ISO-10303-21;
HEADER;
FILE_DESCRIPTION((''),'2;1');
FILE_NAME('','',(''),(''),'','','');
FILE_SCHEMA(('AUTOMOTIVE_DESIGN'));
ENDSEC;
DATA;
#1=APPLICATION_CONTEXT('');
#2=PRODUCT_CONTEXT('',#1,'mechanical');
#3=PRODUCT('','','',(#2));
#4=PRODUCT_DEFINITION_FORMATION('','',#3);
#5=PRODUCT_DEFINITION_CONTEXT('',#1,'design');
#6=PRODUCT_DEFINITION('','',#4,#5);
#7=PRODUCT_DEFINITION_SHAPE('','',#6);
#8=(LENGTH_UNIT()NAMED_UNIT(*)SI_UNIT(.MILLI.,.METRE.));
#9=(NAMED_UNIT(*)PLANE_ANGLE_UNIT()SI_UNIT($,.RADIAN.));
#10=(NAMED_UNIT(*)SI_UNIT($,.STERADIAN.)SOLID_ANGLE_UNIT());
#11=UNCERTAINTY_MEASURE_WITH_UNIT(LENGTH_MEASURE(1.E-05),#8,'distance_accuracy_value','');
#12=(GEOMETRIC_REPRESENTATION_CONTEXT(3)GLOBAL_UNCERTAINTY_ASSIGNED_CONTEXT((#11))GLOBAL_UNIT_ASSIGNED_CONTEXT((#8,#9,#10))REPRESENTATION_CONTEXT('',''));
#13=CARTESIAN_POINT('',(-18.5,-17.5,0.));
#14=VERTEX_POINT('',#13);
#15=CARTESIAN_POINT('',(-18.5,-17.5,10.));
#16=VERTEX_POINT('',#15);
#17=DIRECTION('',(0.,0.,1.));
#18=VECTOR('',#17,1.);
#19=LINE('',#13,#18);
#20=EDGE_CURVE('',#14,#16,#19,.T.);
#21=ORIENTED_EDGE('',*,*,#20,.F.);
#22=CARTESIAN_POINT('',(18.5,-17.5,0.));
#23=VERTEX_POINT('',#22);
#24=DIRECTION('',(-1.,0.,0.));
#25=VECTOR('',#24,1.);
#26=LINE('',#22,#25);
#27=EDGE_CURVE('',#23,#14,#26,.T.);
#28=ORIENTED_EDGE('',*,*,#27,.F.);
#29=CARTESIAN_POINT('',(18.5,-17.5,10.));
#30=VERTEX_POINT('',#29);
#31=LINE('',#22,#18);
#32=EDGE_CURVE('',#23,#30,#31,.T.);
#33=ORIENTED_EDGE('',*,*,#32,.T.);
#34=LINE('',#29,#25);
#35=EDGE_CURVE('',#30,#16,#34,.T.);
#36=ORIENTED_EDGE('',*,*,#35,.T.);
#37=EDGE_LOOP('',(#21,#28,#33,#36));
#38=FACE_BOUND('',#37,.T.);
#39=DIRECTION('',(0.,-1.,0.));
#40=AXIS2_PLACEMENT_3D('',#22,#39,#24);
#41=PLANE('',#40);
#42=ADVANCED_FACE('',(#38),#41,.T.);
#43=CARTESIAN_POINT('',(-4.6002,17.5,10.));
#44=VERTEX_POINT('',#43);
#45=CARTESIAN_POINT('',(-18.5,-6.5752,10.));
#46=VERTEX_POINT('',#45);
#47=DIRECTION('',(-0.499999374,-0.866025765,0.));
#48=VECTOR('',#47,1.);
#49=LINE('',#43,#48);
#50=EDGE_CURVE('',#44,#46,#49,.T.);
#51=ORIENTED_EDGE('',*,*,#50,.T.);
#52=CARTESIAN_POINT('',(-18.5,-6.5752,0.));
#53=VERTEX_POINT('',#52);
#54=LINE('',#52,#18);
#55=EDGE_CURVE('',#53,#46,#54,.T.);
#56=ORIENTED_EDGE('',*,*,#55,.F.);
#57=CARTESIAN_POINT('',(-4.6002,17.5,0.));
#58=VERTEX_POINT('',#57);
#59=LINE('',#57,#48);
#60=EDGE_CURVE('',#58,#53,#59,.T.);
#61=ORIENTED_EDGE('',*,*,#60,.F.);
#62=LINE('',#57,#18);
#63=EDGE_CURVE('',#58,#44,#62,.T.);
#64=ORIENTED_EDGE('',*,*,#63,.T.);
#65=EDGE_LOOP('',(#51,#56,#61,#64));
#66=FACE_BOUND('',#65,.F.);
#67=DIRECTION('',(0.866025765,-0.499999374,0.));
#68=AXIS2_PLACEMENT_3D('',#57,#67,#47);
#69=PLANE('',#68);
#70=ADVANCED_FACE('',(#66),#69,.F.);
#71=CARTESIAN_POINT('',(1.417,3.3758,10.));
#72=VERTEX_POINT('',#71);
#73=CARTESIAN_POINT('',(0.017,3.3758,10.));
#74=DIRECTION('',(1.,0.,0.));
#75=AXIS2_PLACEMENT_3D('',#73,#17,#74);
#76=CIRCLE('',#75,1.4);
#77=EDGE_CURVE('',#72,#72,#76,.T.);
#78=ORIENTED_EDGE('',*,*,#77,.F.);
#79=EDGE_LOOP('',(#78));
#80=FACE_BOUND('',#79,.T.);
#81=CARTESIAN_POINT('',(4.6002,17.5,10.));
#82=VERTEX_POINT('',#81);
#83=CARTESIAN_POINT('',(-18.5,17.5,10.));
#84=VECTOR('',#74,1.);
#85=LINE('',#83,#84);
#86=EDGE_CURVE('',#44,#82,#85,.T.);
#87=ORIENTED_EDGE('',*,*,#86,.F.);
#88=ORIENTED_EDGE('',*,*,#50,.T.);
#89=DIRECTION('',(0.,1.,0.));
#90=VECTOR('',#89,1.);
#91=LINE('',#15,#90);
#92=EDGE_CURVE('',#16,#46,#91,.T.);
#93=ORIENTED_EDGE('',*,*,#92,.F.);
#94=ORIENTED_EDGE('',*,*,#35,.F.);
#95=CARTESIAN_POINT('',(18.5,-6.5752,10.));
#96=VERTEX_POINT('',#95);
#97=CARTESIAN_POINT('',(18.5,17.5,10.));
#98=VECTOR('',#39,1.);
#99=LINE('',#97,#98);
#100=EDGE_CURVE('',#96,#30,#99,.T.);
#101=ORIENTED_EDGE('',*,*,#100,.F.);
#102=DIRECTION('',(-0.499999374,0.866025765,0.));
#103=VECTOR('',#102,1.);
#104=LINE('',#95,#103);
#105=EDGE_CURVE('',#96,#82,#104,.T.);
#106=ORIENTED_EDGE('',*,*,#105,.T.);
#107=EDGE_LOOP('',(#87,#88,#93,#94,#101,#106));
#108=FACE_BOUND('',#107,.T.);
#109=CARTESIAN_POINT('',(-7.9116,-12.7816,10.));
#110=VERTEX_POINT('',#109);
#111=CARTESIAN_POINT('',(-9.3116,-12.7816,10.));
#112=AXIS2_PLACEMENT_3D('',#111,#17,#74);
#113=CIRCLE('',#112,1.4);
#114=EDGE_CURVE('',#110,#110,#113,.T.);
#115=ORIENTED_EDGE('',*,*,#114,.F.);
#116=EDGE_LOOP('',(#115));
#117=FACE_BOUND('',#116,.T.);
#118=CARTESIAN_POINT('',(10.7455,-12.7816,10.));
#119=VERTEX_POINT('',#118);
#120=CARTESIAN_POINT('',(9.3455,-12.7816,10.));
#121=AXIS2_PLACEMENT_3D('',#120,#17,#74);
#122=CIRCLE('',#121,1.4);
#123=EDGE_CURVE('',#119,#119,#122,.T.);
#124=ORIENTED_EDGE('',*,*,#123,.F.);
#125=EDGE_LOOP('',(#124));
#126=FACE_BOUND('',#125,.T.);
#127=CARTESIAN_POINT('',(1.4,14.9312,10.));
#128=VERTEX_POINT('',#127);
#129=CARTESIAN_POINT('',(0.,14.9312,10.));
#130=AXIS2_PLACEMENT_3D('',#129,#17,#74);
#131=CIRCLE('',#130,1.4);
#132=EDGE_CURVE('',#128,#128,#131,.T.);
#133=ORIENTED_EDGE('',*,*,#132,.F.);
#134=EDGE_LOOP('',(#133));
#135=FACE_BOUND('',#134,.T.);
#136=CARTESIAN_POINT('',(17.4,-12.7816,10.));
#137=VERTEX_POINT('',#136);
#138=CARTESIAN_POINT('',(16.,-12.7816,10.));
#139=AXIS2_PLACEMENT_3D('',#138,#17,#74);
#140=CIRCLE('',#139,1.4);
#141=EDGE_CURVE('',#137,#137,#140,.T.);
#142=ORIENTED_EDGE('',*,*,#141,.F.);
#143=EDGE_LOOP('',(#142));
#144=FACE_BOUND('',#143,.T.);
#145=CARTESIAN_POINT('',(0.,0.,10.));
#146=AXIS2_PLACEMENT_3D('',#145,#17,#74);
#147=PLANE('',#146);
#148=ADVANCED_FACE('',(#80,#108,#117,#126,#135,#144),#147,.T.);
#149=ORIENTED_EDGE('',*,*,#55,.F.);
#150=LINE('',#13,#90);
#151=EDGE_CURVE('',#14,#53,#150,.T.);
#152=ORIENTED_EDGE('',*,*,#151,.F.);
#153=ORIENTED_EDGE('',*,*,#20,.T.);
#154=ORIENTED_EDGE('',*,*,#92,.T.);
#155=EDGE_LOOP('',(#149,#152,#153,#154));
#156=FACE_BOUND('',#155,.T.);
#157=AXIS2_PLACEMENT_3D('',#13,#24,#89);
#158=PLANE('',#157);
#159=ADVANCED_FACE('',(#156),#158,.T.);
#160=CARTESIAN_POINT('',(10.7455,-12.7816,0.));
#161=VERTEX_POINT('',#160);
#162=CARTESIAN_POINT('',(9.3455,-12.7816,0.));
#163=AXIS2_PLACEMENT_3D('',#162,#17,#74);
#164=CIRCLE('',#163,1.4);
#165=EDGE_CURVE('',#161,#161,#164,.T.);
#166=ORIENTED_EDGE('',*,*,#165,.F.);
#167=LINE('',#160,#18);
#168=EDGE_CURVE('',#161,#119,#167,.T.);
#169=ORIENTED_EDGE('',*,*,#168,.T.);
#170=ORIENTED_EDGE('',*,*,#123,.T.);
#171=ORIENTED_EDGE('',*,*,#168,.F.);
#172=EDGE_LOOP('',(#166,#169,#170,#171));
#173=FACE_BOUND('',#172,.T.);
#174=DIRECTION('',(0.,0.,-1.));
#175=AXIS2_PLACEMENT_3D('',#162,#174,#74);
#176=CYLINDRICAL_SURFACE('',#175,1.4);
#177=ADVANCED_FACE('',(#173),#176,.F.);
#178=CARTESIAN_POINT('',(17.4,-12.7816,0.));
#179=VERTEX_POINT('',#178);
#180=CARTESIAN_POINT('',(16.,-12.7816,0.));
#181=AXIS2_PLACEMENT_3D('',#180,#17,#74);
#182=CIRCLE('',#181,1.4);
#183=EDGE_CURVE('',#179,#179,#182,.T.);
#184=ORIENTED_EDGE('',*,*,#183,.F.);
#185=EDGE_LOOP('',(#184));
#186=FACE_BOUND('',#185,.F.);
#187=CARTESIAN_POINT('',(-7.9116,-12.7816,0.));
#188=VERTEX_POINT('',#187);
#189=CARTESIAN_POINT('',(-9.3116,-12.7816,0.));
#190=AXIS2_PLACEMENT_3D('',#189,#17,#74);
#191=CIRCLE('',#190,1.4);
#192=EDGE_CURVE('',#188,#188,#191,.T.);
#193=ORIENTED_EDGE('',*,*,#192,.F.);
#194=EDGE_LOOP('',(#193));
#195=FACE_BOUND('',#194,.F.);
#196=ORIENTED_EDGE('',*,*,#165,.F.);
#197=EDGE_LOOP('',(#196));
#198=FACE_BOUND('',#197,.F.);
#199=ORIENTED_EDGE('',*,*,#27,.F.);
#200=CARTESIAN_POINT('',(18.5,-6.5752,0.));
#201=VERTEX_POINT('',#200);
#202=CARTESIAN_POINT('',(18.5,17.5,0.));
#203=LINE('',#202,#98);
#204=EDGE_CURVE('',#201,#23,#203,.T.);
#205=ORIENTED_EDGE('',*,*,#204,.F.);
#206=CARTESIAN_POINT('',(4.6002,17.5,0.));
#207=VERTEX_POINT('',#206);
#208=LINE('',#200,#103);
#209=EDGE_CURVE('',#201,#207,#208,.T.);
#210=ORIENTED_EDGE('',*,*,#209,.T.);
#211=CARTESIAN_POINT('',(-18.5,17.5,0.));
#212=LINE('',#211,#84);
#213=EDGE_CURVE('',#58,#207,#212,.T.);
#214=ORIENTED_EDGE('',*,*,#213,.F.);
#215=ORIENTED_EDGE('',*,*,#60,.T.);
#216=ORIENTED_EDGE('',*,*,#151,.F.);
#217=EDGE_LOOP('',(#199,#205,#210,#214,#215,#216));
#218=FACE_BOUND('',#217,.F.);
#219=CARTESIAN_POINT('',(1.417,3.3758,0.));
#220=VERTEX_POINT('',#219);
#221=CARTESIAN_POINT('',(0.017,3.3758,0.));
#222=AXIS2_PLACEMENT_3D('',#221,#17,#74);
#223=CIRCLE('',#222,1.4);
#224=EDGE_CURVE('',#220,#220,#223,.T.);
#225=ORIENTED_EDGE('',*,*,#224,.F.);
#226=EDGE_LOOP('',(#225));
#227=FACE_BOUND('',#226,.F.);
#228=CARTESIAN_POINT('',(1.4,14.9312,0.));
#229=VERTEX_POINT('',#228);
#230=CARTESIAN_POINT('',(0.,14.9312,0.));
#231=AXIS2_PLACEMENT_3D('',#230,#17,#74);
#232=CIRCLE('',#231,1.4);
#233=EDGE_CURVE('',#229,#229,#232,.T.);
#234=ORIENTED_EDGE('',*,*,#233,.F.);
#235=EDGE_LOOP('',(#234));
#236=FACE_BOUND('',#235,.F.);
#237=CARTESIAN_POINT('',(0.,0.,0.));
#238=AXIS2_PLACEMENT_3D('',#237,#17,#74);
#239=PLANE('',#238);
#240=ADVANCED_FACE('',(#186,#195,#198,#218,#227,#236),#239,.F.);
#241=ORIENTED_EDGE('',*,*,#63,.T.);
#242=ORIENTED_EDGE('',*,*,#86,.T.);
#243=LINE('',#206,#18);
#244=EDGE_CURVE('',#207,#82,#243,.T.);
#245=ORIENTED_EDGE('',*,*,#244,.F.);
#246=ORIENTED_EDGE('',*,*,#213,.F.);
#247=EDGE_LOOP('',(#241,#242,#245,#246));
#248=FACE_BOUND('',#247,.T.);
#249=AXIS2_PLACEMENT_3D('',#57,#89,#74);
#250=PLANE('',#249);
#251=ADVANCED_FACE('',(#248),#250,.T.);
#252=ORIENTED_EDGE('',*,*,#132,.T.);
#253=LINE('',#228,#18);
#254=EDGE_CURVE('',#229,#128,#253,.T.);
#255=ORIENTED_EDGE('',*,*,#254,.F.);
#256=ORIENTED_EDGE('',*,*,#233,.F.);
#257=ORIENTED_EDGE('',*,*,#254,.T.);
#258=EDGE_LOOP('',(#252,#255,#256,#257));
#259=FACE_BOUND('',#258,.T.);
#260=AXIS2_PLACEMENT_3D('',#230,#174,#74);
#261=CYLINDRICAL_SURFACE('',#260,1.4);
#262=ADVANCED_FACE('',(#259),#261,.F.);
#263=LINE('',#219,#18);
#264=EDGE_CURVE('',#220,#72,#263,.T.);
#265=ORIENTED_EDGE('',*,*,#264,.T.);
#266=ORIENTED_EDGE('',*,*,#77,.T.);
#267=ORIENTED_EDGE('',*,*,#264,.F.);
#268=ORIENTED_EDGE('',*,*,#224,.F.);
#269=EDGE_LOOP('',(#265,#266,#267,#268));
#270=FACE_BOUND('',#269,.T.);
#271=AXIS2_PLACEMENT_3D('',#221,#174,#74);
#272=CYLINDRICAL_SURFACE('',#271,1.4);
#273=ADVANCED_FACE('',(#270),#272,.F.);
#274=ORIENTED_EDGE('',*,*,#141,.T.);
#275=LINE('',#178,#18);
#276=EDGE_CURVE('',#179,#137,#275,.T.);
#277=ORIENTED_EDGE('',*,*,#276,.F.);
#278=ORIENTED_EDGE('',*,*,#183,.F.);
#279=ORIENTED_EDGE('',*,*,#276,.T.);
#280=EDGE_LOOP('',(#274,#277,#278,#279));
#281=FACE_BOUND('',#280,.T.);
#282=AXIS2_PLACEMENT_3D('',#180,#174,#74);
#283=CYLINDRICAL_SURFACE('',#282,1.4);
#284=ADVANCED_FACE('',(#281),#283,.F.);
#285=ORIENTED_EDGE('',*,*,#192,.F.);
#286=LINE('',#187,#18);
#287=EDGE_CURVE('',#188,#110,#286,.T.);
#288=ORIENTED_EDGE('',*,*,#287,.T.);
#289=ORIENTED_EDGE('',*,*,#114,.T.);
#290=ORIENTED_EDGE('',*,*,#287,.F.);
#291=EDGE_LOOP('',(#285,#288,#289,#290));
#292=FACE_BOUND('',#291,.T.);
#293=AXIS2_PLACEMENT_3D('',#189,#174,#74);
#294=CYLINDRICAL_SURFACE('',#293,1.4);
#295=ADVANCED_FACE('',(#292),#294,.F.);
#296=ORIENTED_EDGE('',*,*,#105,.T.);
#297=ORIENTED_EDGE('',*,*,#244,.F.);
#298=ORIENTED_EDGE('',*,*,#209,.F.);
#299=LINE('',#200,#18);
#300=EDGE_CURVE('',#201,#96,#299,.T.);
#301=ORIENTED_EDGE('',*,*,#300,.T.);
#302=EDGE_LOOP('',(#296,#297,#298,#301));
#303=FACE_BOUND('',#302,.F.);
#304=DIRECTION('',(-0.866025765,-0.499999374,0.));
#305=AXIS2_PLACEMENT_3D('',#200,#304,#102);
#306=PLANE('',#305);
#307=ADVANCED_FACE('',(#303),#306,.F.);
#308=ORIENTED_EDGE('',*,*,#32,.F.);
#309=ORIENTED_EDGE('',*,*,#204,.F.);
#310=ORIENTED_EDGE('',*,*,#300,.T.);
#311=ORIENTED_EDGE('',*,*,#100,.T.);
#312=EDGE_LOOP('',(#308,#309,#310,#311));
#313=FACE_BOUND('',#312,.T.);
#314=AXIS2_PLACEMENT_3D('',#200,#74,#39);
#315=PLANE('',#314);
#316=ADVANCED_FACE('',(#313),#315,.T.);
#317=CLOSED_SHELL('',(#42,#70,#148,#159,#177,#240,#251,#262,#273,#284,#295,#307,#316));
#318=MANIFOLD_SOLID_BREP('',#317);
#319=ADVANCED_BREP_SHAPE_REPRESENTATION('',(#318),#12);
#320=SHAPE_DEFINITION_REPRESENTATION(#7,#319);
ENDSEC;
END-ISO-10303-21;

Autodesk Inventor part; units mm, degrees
ref_plane "YZ Plane" through (0, 0, 0) normal (1, 0, 0) x (0, 1, 0)
ref_plane "XZ Plane" through (0, 0, 0) normal (0, 1, 0) x (-1, 0, 0)
ref_plane "XY Plane" through (0, 0, 0) normal (0, 0, 1) x (1, 0, 0)
sketch "Sketch1" plane through (0, 0, 0) normal (0, 0, 1) x (1, 0, 0)
  line L0 (18.5, -17.5) -> (-18.5, -17.5)
  line L1 (-18.5, -17.5) -> (-18.5, 17.5)
  line L2 (-18.5, 17.5) -> (18.5, 17.5)
  line L3 (18.5, 17.5) -> (18.5, -17.5)
  line L4 (18.5, -17.5) -> (-18.5, 17.5) construction
  line L5 (-18.5, -17.5) -> (18.5, 17.5) construction
  line L6 (0, 14.9312) -> (16, -12.7816) construction
  line L7 (16, -12.7816) -> (-16, -12.7816) construction
  line L8 (-16, -12.7816) -> (0, 14.9312) construction
  line L9 (-9.3116, -12.7816) -> (0.017, 3.3758) construction
  line L10 (0.017, 3.3758) -> (9.3455, -12.7816) construction
  line L11 (9.3455, -12.7816) -> (-9.3116, -12.7816) construction
  circle A0 centre (0, 14.9312) radius 1.4
  circle A1 centre (16, -12.7816) radius 1.4
  circle A2 centre (9.3455, -12.7816) radius 1.4
  circle A3 centre (0.017, 3.3758) radius 1.4
  circle A4 centre (-9.3116, -12.7816) radius 1.4
  line L12 (-4.6002, 17.5) -> (-18.5, -6.5752)
  line L13 (18.5, -6.5752) -> (4.6002, 17.5)
  point P0 (0, 0)
  point P1 (0, -3.544)
  point P2 (0.017, -7.3958)
  dimension "d0" = 37
  dimension "d1" = 35
  dimension "d3" = 32
  dimension "d4" = 0
  dimension "d5" = 2.8
  dimension "d6" = 2.8
  dimension "d7" = 2.8
  dimension "d8" = 2.8
  dimension "d9" = 2.8
extrude "Extrusion1" add sketch "Sketch1" along normal blind 10 contours L0 L1 L12 L2 L13 L3
properties part number "cellSTORM_chip_Adapter_screws"
